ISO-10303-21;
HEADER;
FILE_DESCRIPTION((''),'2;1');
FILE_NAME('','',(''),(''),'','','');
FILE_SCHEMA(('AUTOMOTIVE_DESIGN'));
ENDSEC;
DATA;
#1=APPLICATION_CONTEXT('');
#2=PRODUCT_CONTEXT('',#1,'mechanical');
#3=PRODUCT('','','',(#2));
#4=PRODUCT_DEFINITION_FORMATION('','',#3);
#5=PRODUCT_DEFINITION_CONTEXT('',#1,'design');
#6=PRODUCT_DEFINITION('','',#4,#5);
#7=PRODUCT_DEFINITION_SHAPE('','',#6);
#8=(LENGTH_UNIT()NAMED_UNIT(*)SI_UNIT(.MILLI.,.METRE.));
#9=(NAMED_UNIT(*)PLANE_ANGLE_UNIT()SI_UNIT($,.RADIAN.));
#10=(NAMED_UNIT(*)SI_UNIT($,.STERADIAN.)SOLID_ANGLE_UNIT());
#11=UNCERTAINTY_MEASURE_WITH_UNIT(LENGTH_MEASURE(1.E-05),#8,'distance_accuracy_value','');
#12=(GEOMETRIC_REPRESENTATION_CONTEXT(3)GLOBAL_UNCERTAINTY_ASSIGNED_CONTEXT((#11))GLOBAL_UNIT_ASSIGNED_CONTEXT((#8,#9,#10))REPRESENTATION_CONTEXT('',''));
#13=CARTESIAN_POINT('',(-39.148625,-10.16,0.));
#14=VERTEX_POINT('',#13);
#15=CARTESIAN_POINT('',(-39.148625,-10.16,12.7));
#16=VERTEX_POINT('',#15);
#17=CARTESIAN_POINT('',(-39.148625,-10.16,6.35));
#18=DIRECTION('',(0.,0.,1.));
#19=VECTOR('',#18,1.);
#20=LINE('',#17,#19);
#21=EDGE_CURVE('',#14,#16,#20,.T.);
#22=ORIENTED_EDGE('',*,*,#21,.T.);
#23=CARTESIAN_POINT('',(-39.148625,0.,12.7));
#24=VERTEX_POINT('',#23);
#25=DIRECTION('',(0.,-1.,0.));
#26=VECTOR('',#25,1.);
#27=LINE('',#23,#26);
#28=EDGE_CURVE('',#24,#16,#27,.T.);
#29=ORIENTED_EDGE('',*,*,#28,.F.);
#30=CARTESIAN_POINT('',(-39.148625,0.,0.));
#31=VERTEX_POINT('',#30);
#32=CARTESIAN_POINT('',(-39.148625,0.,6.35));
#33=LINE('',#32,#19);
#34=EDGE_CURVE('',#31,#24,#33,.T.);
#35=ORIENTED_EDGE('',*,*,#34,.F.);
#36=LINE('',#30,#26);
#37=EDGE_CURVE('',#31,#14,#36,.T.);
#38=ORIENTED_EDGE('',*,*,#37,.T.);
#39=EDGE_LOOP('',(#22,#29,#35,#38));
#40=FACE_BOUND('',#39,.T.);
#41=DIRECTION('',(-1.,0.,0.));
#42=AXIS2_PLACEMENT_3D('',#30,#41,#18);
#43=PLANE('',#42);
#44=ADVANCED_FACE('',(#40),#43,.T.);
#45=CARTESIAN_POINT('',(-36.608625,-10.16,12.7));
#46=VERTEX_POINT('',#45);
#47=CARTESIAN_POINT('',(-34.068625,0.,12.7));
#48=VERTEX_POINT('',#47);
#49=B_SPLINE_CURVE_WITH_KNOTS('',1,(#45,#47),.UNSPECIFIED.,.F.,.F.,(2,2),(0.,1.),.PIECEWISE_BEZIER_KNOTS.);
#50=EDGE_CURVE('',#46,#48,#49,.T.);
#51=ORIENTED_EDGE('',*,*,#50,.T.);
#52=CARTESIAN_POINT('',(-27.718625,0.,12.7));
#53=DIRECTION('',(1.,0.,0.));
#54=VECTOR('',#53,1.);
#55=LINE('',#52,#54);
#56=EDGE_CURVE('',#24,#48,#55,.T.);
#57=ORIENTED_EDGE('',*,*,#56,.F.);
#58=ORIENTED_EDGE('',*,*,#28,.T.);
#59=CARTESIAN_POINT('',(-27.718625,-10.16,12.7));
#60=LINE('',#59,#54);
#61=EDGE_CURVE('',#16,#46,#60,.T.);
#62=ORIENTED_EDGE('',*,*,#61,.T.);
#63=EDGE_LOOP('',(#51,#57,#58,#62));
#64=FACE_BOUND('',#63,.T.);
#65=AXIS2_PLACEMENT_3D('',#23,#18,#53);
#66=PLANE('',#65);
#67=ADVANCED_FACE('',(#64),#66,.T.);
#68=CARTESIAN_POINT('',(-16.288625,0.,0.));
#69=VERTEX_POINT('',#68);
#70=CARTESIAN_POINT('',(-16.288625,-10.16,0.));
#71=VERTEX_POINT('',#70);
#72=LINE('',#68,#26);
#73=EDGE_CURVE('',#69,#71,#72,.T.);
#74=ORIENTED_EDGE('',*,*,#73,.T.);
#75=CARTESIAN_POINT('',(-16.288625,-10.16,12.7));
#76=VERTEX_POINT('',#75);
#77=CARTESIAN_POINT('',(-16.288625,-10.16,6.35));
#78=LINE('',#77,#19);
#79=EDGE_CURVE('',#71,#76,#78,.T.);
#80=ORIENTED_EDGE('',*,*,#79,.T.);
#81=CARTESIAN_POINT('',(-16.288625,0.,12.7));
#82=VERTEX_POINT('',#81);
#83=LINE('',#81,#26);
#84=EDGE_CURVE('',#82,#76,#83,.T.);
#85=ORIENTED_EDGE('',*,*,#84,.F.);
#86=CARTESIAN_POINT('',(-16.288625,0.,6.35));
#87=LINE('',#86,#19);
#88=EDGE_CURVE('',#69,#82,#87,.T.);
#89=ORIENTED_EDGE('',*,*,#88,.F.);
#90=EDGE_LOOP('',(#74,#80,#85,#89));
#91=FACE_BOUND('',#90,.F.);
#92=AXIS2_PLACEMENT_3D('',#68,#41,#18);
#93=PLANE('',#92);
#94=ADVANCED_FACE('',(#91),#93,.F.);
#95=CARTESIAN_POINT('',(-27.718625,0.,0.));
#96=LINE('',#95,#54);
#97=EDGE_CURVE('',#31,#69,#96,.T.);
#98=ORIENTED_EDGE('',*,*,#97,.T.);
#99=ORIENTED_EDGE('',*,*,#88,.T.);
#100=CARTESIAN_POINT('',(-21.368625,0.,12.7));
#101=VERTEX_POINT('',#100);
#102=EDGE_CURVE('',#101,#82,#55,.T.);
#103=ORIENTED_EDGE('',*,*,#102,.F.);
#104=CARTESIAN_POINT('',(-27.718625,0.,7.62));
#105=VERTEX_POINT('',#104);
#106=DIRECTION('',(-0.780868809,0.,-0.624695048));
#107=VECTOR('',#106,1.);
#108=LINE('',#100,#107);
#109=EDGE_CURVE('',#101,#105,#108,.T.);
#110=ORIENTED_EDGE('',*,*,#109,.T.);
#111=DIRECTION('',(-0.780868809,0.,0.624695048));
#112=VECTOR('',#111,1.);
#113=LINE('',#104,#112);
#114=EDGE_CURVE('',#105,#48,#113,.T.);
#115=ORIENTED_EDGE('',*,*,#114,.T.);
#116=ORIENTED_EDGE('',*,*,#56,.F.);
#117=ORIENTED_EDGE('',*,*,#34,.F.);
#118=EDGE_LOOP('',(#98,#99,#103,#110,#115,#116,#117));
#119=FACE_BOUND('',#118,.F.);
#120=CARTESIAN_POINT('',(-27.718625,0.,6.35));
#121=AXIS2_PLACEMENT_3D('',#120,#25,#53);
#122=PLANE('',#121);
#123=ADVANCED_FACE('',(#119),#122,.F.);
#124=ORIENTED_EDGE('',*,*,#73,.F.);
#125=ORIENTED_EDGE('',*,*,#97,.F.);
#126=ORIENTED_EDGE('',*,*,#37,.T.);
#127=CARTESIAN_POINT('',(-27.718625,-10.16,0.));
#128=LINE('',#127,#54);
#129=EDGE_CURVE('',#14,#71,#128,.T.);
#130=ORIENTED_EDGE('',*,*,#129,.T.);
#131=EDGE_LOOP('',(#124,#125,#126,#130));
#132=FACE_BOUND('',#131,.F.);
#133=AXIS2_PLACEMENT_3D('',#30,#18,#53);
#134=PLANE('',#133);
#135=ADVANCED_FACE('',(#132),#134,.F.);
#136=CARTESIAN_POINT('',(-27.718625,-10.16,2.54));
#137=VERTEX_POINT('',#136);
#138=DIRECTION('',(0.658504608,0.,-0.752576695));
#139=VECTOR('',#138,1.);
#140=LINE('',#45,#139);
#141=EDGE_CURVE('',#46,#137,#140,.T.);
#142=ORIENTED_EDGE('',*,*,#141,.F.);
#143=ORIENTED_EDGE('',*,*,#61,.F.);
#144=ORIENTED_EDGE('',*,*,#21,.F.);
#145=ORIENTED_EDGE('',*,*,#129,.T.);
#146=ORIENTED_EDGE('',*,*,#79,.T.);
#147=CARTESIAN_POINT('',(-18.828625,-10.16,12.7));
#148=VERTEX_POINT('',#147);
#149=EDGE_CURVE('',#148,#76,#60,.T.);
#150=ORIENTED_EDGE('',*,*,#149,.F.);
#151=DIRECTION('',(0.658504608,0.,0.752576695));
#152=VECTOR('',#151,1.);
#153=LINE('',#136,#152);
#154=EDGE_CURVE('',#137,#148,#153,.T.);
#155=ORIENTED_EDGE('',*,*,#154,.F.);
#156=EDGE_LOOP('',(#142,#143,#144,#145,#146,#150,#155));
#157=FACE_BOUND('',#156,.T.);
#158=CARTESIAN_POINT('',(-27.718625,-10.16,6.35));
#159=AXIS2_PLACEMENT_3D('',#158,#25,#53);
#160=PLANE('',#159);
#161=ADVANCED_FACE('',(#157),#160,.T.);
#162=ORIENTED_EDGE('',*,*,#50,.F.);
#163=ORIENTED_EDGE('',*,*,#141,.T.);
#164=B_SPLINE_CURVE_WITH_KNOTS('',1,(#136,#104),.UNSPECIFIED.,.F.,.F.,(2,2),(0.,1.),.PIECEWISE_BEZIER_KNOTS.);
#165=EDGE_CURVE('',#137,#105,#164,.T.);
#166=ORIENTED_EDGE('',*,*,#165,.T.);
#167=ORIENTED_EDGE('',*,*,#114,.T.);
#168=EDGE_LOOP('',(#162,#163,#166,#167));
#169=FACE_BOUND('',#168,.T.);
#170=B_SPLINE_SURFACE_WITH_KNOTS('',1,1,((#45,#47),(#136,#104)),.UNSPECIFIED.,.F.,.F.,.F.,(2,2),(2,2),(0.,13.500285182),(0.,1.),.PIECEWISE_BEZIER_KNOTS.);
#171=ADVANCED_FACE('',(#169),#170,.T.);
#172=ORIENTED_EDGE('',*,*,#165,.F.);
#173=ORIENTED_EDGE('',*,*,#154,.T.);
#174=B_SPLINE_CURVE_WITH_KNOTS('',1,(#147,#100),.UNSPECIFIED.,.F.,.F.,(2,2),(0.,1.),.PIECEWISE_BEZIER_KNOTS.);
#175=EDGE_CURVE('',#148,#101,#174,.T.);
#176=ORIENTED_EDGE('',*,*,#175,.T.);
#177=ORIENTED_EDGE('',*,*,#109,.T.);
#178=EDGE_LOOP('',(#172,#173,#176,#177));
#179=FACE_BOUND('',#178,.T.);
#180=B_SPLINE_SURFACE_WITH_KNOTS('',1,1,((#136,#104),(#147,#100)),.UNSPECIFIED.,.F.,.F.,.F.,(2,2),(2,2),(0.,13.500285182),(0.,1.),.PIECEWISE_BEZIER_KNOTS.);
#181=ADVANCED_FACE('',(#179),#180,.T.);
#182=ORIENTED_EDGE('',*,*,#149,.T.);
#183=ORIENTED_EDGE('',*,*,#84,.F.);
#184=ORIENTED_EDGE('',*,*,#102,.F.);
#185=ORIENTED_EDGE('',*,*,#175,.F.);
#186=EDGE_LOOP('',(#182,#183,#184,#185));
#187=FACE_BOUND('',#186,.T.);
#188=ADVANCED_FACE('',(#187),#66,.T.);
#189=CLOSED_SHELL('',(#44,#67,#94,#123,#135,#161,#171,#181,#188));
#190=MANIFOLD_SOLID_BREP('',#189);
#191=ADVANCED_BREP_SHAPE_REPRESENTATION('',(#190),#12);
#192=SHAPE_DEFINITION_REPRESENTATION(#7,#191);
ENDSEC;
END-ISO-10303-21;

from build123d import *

# Parameters (mm, degrees)
F0_W     = 22.86
F0_H     = 12.7
F1_DEPTH = 10.16


with BuildPart() as f1:
    # F0 (on Front) → F1 (new body)
    with BuildSketch(Plane.XZ):
        with Locations((-27.718625, 6.35)):
            Rectangle(F0_W, F0_H)
    extrude(amount=F1_DEPTH)

    # F2 (on face) → F4 section 0
    with BuildSketch(Plane.XZ.offset(10.16)):
        Polygon((-18.828625, 12.7), (-36.608625, 12.7), (-27.718625, 2.54), align=None)
    # F3 (on face) → F4 section 1
    with BuildSketch(Plane(origin=(0, 0, 0), x_dir=(-1, 0, 0), z_dir=(0, 1, 0))):
        Polygon((34.068625, 12.7), (21.368625, 12.7), (27.718625, 7.62), align=None)
    loft(mode=Mode.SUBTRACT)


solid = f1.part
